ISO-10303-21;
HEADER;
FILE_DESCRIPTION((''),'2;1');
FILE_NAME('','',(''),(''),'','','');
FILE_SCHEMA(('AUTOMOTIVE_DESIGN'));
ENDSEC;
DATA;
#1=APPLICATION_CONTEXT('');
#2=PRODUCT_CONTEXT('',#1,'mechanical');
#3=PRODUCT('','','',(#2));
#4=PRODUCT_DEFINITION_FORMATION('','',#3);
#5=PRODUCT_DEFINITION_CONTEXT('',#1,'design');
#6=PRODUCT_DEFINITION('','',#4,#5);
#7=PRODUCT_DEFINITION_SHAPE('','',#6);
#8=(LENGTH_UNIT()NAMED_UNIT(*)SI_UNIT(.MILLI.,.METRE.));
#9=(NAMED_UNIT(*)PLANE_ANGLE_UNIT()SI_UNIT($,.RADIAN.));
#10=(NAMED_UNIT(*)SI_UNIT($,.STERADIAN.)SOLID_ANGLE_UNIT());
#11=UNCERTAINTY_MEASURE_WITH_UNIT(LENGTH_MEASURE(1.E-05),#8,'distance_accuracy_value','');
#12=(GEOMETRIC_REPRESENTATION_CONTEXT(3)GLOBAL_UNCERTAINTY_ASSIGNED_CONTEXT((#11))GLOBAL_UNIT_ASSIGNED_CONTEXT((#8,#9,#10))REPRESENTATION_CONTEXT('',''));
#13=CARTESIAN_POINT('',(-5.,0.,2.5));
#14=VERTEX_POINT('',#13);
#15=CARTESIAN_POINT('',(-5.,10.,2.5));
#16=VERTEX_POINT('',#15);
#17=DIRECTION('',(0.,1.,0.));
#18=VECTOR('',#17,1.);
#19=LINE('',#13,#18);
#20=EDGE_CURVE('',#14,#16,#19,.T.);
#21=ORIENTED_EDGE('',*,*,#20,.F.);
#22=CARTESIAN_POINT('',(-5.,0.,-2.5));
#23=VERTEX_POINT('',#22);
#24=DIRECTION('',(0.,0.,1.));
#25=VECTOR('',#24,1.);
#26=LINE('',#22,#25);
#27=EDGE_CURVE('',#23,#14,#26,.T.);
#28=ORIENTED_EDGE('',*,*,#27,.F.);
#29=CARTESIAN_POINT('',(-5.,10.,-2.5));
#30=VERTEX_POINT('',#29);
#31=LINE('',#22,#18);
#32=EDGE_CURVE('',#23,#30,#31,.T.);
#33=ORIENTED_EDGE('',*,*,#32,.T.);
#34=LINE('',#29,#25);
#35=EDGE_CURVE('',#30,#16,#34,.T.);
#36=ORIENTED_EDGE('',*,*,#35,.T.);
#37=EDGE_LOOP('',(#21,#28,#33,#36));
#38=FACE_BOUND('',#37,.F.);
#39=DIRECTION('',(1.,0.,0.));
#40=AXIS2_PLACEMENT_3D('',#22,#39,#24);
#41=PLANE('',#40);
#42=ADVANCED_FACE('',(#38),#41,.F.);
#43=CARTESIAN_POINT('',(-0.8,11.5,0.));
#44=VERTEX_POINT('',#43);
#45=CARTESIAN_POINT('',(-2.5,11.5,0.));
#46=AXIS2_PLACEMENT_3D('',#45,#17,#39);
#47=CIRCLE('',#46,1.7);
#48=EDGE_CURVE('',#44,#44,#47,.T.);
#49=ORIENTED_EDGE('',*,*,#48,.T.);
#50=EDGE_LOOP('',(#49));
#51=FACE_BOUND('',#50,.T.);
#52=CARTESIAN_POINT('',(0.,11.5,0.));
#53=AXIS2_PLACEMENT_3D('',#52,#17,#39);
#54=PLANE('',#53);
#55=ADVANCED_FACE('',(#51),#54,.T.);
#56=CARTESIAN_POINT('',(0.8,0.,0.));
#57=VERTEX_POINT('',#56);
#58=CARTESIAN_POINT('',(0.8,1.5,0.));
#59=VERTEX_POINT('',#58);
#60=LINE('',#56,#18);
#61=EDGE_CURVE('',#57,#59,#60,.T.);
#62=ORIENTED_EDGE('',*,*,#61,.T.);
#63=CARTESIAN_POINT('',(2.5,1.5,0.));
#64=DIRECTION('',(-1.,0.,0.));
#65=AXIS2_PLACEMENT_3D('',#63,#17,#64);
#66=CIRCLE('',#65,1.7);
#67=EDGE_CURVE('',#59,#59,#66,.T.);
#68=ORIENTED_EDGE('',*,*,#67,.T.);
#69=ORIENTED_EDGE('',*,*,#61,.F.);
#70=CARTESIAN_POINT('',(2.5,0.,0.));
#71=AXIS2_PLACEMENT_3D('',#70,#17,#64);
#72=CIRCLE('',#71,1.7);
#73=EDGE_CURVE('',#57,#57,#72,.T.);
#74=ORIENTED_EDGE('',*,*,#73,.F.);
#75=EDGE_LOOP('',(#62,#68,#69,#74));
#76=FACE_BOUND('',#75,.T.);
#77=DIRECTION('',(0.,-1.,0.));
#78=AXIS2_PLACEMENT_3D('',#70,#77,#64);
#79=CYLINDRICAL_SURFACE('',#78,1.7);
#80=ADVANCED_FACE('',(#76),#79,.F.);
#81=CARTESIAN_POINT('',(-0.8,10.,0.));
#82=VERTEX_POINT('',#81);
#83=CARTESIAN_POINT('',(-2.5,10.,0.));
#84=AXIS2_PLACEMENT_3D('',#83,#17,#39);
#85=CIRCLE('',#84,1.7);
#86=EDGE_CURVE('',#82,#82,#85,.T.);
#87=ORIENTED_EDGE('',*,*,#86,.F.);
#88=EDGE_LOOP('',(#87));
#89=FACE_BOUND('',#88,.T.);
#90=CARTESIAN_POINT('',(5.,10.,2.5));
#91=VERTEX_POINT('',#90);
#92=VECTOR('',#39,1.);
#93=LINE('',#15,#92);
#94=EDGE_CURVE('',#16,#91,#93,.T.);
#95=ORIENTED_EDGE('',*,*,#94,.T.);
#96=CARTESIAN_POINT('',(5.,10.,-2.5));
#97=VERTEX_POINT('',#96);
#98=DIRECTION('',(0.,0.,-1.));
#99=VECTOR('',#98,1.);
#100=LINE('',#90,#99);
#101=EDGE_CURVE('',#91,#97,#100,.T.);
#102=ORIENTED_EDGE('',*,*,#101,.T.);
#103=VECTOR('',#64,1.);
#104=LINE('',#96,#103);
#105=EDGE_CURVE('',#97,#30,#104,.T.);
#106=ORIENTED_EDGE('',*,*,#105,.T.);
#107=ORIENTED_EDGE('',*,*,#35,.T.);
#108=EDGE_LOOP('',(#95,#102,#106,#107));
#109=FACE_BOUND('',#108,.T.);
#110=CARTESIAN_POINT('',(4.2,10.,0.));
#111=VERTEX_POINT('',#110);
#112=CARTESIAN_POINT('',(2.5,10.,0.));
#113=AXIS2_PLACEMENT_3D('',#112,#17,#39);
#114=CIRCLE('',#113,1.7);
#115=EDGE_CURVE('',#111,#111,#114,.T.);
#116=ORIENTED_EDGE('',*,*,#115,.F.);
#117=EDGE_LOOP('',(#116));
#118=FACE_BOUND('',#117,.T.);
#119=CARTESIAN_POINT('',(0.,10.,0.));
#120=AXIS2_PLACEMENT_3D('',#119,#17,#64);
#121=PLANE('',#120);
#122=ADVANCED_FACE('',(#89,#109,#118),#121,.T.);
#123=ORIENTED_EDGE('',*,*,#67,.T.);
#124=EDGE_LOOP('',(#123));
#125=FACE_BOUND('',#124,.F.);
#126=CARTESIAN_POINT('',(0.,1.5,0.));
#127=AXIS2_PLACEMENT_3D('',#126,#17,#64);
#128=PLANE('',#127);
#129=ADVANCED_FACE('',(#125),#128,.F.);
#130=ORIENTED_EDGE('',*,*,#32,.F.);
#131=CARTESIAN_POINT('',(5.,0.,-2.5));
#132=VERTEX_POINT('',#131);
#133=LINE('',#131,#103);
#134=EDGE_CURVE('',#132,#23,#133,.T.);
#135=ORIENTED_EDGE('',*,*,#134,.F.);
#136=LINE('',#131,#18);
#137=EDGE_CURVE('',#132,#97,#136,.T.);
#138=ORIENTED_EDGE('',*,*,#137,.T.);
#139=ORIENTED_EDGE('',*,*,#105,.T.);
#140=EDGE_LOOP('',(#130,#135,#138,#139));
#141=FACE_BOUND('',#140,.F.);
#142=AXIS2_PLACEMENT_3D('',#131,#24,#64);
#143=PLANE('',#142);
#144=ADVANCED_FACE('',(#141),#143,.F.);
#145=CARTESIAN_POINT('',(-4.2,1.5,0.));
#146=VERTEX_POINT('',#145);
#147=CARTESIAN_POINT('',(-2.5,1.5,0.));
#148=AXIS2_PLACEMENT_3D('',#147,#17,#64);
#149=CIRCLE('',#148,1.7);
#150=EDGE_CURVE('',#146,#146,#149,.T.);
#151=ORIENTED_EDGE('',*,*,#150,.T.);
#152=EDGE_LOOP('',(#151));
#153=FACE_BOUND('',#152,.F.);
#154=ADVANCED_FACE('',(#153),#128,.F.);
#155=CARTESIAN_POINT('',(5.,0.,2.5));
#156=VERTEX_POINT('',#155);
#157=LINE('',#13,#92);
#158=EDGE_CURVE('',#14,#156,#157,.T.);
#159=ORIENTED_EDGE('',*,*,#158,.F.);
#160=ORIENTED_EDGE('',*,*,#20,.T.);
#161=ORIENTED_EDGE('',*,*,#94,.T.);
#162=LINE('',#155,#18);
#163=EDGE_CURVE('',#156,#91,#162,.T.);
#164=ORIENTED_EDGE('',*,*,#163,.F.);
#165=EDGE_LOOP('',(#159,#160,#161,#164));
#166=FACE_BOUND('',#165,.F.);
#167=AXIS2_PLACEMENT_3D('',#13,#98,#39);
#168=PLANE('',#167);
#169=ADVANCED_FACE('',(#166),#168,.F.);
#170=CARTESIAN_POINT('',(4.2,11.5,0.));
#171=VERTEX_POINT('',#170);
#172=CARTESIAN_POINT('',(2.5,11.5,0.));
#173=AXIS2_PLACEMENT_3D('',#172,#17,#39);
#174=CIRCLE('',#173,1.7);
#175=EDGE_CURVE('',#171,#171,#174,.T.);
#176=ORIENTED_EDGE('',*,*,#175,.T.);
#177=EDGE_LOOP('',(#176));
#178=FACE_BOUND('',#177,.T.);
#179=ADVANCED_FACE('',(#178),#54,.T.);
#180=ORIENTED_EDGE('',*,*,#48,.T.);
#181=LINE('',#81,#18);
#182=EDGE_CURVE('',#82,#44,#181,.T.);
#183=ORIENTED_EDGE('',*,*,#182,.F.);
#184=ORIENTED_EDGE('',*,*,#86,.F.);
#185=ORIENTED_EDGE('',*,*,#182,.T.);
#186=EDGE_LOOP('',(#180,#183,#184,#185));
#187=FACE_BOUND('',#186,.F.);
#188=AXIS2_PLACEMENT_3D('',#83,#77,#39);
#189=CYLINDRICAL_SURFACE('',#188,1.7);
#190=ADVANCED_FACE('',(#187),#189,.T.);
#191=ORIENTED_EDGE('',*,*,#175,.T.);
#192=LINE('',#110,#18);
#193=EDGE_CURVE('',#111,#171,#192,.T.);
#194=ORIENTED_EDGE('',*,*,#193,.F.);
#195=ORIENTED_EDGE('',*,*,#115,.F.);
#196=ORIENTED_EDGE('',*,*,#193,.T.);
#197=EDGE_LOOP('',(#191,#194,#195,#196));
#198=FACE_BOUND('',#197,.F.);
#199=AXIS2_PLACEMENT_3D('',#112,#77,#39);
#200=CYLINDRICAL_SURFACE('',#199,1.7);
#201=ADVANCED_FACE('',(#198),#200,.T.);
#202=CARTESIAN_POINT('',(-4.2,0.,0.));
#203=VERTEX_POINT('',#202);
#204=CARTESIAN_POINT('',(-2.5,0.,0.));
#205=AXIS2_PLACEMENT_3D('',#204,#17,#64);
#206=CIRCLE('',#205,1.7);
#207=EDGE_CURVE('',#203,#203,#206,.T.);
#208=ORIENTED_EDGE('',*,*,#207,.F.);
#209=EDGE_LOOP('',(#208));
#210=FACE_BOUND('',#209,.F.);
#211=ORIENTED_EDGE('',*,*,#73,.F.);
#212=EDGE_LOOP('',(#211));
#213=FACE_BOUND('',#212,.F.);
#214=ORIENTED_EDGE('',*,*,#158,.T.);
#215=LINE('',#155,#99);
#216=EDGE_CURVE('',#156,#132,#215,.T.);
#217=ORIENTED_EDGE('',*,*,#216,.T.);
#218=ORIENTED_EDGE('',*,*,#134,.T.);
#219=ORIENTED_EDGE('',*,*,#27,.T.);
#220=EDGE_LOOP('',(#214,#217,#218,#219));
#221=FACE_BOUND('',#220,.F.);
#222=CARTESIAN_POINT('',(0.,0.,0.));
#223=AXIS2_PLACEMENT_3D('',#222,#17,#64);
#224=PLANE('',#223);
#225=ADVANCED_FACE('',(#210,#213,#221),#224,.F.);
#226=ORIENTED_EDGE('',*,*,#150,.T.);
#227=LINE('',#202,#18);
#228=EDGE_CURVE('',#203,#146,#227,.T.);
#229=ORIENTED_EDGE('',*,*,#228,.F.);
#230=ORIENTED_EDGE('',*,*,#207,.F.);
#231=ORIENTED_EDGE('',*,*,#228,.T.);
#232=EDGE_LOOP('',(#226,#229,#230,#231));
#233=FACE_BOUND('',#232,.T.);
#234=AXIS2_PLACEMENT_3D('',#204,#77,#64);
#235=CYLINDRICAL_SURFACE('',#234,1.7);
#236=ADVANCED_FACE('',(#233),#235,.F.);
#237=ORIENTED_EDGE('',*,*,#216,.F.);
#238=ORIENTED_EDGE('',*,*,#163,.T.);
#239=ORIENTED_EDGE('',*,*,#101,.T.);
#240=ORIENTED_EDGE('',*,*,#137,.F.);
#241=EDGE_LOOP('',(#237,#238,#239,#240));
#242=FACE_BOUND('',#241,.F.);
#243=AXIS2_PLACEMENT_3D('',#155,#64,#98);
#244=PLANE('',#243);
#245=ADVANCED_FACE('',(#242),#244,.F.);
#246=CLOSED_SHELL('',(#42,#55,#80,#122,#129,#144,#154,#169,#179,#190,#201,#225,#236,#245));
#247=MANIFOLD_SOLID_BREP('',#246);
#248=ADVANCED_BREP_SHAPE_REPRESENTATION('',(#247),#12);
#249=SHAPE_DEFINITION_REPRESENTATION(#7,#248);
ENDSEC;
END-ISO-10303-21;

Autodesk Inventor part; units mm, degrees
ref_plane "YZ Plane" through (0, 0, 0) normal (1, 0, 0) x (0, 1, 0)
ref_plane "XZ Plane" through (0, 0, 0) normal (0, 1, 0) x (-1, 0, 0)
ref_plane "XY Plane" through (0, 0, 0) normal (0, 0, 1) x (1, 0, 0)
sketch "草圖2" plane through (0, 0, 0) normal (0, 1, 0) x (-1, 0, 0)
  line L0 (5, 2.5) -> (-5, 2.5)
  line L1 (-5, 2.5) -> (-5, -2.5)
  line L2 (-5, -2.5) -> (5, -2.5)
  line L3 (5, -2.5) -> (5, 2.5)
  circle A0 centre (2.5, 0) radius 1.7
  circle A1 centre (-2.5, 0) radius 1.7
  point P0 (0, 0)
  point P1 (5, 0)
  point P2 (0, -2.5)
  dimension "d0" = 10
  dimension "d1" = 5
  dimension "d2" = 3.4
  dimension "d3" = 2.5
  dimension "d4" = 2.5
  dimension "d7" = 5
extrude "擠出1" add sketch "草圖2" along normal blind 10 contours L3 L2 L1 L0 | A0 | A1
extrude "擠出2" cut sketch "草圖2" along normal blind 1.5 contours A0 | A1
sketch "草圖3" plane through (0, 10, 0) normal (0, 1, 0) x (1, 0, 0)
  circle A0 centre (-2.5, 0) radius 1.7 projected
  circle A1 centre (2.5, 0) radius 1.7 projected
  point P0 (0, 0)
extrude "擠出3" add sketch "草圖3" along normal blind 1.5
sketch "草圖4" plane through (0, 0, 0) normal (0, 0, 1) x (1, 0, 0)
  line L0 (5, 10) -> (5, 0) projected
  line L1 (5, 0) -> (4.2, 0) projected
  line L2 (4.2, 0) -> (4.2, 1.5) projected
  line L3 (4.2, 1.5) -> (0.8, 1.5) projected
  line L4 (0.8, 1.5) -> (0.8, 0) projected
  line L5 (0.8, 0) -> (-0.8, 0) projected
  line L6 (-0.8, 0) -> (-0.8, 1.5) projected
  line L7 (-0.8, 1.5) -> (-4.2, 1.5) projected
  line L8 (-4.2, 1.5) -> (-4.2, 0) projected
  line L9 (-4.2, 0) -> (-5, 0) projected
  line L10 (-5, 0) -> (-5, 10) projected
  line L11 (-5, 10) -> (-4.2, 10) projected
  line L12 (-4.2, 10) -> (-4.2, 11.5) projected
  line L13 (-4.2, 11.5) -> (-0.8, 11.5) projected
  line L14 (-0.8, 11.5) -> (-0.8, 10) projected
  line L15 (-0.8, 10) -> (0.8, 10) projected
  line L16 (0.8, 10) -> (0.8, 11.5) projected
  line L17 (0.8, 11.5) -> (4.2, 11.5) projected
  line L18 (4.2, 11.5) -> (4.2, 10) projected
  line L19 (4.2, 10) -> (5, 10) projected
  line L20 (-3, 8) -> (3, 8)
  line L21 (3, 8) -> (3, 2)
  line L22 (3, 2) -> (-3, 2)
  line L23 (-3, 2) -> (-3, 8)
  line L24 (0, 10) -> (0, 0) construction
  line L25 (5, 0) -> (-5, 0) construction
  point P0 (0, 8)
  point P1 (3, 5)
  point P2 (5, 5)
  dimension "d18" = 6
  dimension "d19" = 6
split_face "分割1"
properties part number "110033226_ipt_22_塔樓牆壁"
